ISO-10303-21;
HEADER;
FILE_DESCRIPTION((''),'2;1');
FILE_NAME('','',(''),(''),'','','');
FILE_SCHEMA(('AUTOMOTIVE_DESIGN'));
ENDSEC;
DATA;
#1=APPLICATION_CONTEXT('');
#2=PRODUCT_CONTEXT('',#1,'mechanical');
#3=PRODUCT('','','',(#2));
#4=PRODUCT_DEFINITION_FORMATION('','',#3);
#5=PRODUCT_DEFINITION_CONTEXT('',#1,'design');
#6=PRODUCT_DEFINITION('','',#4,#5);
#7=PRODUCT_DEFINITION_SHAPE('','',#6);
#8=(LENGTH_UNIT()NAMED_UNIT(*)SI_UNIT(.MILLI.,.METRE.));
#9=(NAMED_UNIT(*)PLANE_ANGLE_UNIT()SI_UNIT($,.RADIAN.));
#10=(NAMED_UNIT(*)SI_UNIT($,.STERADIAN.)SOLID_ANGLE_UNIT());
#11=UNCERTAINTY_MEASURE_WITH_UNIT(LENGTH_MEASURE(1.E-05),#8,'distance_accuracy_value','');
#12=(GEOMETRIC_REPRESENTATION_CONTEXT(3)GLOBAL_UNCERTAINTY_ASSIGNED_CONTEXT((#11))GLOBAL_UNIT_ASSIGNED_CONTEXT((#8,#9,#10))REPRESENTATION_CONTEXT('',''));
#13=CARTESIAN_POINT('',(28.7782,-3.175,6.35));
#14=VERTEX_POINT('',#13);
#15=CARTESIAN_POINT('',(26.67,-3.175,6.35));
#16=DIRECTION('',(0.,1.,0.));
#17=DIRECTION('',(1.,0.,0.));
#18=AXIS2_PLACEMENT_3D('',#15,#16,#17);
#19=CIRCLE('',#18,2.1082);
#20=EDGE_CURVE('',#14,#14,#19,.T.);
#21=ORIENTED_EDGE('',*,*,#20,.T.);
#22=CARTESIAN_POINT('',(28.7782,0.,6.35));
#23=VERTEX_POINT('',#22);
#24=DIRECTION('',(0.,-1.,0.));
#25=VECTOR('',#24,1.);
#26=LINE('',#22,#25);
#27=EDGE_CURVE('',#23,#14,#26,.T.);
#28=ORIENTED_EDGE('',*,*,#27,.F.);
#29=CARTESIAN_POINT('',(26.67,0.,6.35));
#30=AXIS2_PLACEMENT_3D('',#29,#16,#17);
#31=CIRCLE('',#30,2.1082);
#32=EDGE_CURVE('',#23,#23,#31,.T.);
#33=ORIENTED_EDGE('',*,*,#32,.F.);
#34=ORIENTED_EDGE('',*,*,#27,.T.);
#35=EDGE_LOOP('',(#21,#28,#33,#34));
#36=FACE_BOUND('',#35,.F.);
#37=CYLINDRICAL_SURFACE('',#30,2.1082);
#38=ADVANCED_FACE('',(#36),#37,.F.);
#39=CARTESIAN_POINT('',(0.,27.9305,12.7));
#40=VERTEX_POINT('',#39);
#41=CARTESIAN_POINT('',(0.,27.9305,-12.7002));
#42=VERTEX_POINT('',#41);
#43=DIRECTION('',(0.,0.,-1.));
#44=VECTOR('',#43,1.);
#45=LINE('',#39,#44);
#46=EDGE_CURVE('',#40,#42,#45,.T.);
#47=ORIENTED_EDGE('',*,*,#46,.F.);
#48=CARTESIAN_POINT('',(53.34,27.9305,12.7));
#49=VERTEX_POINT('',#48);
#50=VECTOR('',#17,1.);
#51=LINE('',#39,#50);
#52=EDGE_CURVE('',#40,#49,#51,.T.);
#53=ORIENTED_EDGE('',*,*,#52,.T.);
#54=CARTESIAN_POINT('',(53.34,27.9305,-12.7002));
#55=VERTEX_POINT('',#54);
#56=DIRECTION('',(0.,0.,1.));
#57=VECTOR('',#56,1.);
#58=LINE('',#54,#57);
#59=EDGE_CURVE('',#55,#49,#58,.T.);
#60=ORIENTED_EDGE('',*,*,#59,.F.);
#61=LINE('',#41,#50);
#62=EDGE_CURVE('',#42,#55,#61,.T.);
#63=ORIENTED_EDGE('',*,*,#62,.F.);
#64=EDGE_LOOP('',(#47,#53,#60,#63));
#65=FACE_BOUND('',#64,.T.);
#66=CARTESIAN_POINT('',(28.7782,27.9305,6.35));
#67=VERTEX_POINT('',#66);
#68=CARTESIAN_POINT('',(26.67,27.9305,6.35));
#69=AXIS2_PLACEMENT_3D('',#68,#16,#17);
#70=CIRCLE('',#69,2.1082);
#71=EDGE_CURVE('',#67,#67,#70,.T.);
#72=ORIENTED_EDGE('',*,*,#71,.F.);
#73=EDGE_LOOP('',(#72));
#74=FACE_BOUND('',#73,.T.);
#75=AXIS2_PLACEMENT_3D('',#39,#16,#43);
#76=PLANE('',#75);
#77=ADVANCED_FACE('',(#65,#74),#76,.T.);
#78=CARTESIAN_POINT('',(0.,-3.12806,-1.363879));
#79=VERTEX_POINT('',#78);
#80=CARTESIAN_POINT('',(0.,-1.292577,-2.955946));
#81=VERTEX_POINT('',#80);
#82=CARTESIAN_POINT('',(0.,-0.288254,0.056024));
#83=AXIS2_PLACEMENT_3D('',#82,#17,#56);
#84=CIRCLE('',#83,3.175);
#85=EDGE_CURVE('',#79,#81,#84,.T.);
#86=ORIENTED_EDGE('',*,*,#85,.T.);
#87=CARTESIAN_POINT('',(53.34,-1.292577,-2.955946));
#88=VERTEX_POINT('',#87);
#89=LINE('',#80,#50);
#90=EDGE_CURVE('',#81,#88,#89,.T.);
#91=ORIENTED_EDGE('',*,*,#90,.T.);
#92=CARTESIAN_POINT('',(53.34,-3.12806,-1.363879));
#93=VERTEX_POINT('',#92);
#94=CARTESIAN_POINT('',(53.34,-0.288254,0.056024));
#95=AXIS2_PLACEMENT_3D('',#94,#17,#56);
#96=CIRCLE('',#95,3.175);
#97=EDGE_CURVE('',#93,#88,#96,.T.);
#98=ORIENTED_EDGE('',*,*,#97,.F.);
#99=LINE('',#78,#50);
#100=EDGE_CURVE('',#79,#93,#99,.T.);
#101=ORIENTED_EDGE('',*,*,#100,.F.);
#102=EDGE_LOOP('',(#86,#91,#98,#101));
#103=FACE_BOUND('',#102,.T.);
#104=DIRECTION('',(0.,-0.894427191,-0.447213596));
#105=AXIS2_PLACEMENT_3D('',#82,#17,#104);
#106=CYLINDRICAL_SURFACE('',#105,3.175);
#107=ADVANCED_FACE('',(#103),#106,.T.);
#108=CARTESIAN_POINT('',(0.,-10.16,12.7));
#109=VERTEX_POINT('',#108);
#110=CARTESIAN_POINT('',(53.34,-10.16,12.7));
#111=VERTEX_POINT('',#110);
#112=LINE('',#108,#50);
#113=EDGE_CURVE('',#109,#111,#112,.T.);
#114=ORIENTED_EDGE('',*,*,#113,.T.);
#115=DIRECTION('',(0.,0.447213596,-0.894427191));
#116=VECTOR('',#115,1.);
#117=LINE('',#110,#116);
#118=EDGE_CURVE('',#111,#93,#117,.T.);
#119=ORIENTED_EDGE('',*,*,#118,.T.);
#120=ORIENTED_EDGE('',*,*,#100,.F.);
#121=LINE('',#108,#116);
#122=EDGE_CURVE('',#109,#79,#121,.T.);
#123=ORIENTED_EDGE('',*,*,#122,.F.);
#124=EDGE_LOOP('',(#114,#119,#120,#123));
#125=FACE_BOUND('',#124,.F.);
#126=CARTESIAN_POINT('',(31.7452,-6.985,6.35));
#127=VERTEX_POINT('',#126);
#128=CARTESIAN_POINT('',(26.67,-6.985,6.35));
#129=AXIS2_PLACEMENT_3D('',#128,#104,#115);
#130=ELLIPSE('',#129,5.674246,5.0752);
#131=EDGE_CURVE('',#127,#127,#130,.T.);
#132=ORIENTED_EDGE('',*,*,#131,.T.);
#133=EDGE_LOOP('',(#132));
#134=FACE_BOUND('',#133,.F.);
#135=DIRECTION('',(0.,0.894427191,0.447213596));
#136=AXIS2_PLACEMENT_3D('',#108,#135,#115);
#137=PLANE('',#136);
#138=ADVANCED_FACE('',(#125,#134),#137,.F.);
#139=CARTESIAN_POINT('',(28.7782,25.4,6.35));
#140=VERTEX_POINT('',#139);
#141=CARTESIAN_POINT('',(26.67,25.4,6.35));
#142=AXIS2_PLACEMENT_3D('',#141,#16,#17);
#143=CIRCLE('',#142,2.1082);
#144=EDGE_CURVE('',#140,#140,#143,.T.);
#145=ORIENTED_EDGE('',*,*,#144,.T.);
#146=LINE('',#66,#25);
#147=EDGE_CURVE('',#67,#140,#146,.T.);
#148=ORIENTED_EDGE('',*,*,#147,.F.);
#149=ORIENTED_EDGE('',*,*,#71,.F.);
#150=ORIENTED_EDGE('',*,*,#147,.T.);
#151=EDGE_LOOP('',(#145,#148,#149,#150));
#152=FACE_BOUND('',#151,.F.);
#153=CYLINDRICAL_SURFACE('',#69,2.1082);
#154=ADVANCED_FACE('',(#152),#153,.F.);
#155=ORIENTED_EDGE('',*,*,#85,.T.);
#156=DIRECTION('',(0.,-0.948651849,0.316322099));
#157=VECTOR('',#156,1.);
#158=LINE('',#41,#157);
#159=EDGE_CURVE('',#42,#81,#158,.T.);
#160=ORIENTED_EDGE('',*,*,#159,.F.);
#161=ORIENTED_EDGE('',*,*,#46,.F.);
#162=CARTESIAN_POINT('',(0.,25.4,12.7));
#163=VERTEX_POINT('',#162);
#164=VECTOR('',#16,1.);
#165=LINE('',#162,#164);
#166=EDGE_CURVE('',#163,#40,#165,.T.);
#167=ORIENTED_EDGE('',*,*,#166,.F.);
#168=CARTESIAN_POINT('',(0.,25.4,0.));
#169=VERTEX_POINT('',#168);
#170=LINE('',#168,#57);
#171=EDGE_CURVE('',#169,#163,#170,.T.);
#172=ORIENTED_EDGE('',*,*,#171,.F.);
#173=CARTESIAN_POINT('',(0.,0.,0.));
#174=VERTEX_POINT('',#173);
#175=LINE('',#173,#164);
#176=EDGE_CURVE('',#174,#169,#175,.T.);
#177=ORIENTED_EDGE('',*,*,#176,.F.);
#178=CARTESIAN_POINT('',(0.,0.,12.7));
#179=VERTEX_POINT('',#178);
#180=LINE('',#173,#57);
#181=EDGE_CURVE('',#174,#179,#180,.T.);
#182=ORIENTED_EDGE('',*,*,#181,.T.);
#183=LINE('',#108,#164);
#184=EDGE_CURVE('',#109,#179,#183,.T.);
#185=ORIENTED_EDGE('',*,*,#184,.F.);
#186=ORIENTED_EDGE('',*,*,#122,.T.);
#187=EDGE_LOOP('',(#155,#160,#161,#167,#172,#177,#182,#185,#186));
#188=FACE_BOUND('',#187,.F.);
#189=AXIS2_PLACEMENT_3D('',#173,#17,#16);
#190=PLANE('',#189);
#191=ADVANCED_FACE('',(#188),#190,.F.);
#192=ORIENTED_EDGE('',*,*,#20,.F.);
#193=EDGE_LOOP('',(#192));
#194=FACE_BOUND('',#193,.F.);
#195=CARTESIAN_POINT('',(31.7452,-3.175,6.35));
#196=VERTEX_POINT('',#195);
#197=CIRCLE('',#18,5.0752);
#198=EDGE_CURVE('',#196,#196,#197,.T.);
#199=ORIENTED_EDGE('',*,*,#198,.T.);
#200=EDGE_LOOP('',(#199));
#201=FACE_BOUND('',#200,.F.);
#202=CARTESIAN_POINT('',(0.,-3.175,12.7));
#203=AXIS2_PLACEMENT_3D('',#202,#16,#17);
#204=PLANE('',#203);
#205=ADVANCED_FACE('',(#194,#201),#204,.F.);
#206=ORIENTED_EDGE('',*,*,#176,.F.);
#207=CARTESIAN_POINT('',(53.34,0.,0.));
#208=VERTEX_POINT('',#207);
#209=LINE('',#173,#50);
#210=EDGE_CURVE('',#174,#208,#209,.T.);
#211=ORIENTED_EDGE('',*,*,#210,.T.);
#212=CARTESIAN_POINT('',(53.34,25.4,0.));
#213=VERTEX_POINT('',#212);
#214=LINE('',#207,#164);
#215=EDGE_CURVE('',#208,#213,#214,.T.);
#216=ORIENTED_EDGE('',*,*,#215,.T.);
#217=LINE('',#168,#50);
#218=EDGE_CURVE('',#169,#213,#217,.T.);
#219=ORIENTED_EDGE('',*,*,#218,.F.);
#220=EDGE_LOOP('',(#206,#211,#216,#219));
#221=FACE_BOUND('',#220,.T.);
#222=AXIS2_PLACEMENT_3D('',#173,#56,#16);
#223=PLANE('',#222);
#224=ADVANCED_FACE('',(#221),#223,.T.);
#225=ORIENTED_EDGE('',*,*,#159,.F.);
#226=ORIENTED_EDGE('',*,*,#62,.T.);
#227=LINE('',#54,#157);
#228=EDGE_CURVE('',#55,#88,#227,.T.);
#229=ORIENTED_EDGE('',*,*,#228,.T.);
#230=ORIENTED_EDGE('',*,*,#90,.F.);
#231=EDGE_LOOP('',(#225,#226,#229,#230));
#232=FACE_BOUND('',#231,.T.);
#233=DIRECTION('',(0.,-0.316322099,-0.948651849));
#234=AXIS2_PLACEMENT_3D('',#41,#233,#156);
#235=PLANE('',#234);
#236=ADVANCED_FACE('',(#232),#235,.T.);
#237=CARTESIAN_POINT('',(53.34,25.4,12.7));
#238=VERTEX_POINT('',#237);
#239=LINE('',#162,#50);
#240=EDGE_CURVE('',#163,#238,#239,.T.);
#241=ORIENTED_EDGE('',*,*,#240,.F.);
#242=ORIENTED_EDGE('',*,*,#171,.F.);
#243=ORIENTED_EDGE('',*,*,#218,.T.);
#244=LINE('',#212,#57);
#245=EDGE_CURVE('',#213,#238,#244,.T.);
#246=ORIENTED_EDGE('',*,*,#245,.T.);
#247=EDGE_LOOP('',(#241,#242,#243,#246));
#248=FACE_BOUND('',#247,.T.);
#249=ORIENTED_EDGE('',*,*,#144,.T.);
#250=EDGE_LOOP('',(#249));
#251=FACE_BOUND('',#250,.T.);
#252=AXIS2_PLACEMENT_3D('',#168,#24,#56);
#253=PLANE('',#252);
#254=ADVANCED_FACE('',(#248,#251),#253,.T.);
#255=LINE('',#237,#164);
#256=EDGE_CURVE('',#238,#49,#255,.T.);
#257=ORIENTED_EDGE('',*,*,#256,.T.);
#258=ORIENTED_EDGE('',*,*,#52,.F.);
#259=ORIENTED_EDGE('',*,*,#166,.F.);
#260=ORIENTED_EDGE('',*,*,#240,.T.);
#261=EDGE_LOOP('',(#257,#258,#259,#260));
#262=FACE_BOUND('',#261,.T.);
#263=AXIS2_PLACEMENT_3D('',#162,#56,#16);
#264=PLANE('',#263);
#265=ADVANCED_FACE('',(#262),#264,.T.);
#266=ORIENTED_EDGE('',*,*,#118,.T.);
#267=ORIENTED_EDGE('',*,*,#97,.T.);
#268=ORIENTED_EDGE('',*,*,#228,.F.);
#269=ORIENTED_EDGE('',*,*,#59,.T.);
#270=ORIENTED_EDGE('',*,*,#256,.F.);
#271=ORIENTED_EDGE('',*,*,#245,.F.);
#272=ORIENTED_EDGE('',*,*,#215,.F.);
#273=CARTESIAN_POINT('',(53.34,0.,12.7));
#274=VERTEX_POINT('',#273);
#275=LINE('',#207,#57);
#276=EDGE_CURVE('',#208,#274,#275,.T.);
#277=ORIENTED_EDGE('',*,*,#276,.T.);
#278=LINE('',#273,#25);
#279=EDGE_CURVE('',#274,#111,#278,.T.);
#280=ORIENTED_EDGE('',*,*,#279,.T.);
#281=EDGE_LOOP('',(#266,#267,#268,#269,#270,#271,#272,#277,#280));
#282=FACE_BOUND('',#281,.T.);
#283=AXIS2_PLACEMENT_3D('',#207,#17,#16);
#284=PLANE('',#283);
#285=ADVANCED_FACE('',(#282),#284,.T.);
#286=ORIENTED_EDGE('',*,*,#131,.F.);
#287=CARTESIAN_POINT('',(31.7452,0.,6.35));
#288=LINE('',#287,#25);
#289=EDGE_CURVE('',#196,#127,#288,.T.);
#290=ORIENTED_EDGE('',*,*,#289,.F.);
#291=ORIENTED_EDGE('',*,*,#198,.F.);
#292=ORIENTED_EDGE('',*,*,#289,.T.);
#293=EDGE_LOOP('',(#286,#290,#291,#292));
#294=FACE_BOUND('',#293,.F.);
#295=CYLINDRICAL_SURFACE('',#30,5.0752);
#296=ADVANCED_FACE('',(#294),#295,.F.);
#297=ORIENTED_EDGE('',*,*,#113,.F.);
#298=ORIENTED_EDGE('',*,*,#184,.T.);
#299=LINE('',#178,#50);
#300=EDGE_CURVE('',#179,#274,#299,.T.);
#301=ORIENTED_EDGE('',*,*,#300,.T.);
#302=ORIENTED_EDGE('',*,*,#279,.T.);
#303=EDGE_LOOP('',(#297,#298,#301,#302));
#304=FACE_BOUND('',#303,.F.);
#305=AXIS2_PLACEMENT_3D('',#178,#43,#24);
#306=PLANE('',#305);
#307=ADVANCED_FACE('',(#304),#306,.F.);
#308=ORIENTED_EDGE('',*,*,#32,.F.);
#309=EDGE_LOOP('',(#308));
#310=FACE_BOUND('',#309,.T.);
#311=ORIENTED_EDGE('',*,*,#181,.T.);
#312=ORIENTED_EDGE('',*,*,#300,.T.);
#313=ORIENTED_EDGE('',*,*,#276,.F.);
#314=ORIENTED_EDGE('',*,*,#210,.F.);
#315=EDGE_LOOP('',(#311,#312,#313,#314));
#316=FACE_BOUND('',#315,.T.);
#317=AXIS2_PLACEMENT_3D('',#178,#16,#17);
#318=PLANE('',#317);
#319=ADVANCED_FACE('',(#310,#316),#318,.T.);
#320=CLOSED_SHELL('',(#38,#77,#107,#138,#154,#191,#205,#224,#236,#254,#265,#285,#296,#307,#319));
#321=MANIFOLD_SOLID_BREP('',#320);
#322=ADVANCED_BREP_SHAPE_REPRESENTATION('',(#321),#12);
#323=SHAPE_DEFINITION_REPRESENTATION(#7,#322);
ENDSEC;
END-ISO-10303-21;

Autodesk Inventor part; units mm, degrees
ref_plane "YZ Plane" through (0, 0, 0) normal (1, 0, 0) x (0, 1, 0)
ref_plane "XZ Plane" through (0, 0, 0) normal (0, 1, 0) x (-1, 0, 0)
ref_plane "XY Plane" through (0, 0, 0) normal (0, 0, 1) x (1, 0, 0)
sketch "Sketch1" plane through (0, 0, 0) normal (1, 0, 0) x (0, 1, 0)
  line L0 (0, 0) -> (25.4, 0)
  line L1 (25.4, 0) -> (25.4, 12.7)
  line L2 (0, 0) -> (0, 12.7)
  line L3 (25.4, 12.7) -> (27.9305, 12.7)
  line L4 (27.9305, 12.7) -> (27.9305, 0)
  line L5 (0, 12.7) -> (-2.54, 12.7)
  line L6 (-2.54, 12.7) -> (-2.54, 0)
  line L7 (-2.54, 0) -> (-2.54, -2.54)
  line L8 (27.9305, -2.54) -> (27.9305, 0)
  line L9 (-2.54, -2.54) -> (-2.54, -12.7002)
  line L10 (27.9305, -12.7002) -> (27.9305, -2.54)
  line L11 (27.9305, -12.7002) -> (-2.54, -2.54)
  line L12 (-2.54, 12.7) -> (-10.16, 12.7)
  line L13 (-10.16, 12.7) -> (-2.54, -2.54)
  line L14 (-2.54, -2.54) -> (0, -2.54)
  dimension "d0" = 25.4
  dimension "d1" = 12.7
  dimension "d2" = 2.54
  dimension "d3" = 2.54
  dimension "d4" = 7.62
extrude "Extrusion1" add sketch "Sketch1" along normal blind 53.34
sketch "Sketch2" plane through (0, 27.9305, 12.7) normal (0, 1, 0) x (1, 0, 0)
  line L0 (0, 0) -> (0, 12.7) projected
  line L1 (0, 0) -> (0, 6.35)
  line L2 (0, 6.35) -> (26.67, 6.35)
  circle A0 centre (26.67, 6.35) radius 2.1082
  dimension "d7" = 6.35
  dimension "d8" = 26.67
  dimension "d9" = 4.2164
extrude "Extrusion2" cut sketch "Sketch2" against normal blind 54.61
sketch "Sketch3" plane through (0, 0, 0) normal (-1, 0, 0) x (0, 0, 1)
  point P0 (0, 0)
sketch "Sketch4" plane through (0, 0, 12.7) normal (0, 1, 0) x (1, 0, 0)
  circle A0 centre (26.67, 6.35) radius 2.1082 projected
  circle A1 centre (26.67, 6.35) radius 2.1082
  circle A2 centre (26.67, 6.35) radius 5.0752
  point P0 (0, 12.7)
extrude "Extrusion3" cut sketch "Sketch4" against normal up to surface from surface at 0 surface through (0, -10.16, 12.7) normal (0, -0.8944, -0.4472)
sketch "Sketch5" plane through (0, 0, 12.7) normal (0, 1, 0) x (1, 0, 0)
  circle A0 centre (26.67, 6.35) radius 5.0752 projected
  circle A1 centre (26.67, 6.35) radius 5.0752
  circle A2 centre (26.67, 6.35) radius 2.1082
  point P0 (0, 12.7)
  dimension "d14" = 4.2164
extrude "Extrusion4" add sketch "Sketch5" against normal blind 3.175
fillet "Fillet1" radius 3.175 1 edges at (26.67, -2.54, -2.54)
properties part number "sleds v1"
